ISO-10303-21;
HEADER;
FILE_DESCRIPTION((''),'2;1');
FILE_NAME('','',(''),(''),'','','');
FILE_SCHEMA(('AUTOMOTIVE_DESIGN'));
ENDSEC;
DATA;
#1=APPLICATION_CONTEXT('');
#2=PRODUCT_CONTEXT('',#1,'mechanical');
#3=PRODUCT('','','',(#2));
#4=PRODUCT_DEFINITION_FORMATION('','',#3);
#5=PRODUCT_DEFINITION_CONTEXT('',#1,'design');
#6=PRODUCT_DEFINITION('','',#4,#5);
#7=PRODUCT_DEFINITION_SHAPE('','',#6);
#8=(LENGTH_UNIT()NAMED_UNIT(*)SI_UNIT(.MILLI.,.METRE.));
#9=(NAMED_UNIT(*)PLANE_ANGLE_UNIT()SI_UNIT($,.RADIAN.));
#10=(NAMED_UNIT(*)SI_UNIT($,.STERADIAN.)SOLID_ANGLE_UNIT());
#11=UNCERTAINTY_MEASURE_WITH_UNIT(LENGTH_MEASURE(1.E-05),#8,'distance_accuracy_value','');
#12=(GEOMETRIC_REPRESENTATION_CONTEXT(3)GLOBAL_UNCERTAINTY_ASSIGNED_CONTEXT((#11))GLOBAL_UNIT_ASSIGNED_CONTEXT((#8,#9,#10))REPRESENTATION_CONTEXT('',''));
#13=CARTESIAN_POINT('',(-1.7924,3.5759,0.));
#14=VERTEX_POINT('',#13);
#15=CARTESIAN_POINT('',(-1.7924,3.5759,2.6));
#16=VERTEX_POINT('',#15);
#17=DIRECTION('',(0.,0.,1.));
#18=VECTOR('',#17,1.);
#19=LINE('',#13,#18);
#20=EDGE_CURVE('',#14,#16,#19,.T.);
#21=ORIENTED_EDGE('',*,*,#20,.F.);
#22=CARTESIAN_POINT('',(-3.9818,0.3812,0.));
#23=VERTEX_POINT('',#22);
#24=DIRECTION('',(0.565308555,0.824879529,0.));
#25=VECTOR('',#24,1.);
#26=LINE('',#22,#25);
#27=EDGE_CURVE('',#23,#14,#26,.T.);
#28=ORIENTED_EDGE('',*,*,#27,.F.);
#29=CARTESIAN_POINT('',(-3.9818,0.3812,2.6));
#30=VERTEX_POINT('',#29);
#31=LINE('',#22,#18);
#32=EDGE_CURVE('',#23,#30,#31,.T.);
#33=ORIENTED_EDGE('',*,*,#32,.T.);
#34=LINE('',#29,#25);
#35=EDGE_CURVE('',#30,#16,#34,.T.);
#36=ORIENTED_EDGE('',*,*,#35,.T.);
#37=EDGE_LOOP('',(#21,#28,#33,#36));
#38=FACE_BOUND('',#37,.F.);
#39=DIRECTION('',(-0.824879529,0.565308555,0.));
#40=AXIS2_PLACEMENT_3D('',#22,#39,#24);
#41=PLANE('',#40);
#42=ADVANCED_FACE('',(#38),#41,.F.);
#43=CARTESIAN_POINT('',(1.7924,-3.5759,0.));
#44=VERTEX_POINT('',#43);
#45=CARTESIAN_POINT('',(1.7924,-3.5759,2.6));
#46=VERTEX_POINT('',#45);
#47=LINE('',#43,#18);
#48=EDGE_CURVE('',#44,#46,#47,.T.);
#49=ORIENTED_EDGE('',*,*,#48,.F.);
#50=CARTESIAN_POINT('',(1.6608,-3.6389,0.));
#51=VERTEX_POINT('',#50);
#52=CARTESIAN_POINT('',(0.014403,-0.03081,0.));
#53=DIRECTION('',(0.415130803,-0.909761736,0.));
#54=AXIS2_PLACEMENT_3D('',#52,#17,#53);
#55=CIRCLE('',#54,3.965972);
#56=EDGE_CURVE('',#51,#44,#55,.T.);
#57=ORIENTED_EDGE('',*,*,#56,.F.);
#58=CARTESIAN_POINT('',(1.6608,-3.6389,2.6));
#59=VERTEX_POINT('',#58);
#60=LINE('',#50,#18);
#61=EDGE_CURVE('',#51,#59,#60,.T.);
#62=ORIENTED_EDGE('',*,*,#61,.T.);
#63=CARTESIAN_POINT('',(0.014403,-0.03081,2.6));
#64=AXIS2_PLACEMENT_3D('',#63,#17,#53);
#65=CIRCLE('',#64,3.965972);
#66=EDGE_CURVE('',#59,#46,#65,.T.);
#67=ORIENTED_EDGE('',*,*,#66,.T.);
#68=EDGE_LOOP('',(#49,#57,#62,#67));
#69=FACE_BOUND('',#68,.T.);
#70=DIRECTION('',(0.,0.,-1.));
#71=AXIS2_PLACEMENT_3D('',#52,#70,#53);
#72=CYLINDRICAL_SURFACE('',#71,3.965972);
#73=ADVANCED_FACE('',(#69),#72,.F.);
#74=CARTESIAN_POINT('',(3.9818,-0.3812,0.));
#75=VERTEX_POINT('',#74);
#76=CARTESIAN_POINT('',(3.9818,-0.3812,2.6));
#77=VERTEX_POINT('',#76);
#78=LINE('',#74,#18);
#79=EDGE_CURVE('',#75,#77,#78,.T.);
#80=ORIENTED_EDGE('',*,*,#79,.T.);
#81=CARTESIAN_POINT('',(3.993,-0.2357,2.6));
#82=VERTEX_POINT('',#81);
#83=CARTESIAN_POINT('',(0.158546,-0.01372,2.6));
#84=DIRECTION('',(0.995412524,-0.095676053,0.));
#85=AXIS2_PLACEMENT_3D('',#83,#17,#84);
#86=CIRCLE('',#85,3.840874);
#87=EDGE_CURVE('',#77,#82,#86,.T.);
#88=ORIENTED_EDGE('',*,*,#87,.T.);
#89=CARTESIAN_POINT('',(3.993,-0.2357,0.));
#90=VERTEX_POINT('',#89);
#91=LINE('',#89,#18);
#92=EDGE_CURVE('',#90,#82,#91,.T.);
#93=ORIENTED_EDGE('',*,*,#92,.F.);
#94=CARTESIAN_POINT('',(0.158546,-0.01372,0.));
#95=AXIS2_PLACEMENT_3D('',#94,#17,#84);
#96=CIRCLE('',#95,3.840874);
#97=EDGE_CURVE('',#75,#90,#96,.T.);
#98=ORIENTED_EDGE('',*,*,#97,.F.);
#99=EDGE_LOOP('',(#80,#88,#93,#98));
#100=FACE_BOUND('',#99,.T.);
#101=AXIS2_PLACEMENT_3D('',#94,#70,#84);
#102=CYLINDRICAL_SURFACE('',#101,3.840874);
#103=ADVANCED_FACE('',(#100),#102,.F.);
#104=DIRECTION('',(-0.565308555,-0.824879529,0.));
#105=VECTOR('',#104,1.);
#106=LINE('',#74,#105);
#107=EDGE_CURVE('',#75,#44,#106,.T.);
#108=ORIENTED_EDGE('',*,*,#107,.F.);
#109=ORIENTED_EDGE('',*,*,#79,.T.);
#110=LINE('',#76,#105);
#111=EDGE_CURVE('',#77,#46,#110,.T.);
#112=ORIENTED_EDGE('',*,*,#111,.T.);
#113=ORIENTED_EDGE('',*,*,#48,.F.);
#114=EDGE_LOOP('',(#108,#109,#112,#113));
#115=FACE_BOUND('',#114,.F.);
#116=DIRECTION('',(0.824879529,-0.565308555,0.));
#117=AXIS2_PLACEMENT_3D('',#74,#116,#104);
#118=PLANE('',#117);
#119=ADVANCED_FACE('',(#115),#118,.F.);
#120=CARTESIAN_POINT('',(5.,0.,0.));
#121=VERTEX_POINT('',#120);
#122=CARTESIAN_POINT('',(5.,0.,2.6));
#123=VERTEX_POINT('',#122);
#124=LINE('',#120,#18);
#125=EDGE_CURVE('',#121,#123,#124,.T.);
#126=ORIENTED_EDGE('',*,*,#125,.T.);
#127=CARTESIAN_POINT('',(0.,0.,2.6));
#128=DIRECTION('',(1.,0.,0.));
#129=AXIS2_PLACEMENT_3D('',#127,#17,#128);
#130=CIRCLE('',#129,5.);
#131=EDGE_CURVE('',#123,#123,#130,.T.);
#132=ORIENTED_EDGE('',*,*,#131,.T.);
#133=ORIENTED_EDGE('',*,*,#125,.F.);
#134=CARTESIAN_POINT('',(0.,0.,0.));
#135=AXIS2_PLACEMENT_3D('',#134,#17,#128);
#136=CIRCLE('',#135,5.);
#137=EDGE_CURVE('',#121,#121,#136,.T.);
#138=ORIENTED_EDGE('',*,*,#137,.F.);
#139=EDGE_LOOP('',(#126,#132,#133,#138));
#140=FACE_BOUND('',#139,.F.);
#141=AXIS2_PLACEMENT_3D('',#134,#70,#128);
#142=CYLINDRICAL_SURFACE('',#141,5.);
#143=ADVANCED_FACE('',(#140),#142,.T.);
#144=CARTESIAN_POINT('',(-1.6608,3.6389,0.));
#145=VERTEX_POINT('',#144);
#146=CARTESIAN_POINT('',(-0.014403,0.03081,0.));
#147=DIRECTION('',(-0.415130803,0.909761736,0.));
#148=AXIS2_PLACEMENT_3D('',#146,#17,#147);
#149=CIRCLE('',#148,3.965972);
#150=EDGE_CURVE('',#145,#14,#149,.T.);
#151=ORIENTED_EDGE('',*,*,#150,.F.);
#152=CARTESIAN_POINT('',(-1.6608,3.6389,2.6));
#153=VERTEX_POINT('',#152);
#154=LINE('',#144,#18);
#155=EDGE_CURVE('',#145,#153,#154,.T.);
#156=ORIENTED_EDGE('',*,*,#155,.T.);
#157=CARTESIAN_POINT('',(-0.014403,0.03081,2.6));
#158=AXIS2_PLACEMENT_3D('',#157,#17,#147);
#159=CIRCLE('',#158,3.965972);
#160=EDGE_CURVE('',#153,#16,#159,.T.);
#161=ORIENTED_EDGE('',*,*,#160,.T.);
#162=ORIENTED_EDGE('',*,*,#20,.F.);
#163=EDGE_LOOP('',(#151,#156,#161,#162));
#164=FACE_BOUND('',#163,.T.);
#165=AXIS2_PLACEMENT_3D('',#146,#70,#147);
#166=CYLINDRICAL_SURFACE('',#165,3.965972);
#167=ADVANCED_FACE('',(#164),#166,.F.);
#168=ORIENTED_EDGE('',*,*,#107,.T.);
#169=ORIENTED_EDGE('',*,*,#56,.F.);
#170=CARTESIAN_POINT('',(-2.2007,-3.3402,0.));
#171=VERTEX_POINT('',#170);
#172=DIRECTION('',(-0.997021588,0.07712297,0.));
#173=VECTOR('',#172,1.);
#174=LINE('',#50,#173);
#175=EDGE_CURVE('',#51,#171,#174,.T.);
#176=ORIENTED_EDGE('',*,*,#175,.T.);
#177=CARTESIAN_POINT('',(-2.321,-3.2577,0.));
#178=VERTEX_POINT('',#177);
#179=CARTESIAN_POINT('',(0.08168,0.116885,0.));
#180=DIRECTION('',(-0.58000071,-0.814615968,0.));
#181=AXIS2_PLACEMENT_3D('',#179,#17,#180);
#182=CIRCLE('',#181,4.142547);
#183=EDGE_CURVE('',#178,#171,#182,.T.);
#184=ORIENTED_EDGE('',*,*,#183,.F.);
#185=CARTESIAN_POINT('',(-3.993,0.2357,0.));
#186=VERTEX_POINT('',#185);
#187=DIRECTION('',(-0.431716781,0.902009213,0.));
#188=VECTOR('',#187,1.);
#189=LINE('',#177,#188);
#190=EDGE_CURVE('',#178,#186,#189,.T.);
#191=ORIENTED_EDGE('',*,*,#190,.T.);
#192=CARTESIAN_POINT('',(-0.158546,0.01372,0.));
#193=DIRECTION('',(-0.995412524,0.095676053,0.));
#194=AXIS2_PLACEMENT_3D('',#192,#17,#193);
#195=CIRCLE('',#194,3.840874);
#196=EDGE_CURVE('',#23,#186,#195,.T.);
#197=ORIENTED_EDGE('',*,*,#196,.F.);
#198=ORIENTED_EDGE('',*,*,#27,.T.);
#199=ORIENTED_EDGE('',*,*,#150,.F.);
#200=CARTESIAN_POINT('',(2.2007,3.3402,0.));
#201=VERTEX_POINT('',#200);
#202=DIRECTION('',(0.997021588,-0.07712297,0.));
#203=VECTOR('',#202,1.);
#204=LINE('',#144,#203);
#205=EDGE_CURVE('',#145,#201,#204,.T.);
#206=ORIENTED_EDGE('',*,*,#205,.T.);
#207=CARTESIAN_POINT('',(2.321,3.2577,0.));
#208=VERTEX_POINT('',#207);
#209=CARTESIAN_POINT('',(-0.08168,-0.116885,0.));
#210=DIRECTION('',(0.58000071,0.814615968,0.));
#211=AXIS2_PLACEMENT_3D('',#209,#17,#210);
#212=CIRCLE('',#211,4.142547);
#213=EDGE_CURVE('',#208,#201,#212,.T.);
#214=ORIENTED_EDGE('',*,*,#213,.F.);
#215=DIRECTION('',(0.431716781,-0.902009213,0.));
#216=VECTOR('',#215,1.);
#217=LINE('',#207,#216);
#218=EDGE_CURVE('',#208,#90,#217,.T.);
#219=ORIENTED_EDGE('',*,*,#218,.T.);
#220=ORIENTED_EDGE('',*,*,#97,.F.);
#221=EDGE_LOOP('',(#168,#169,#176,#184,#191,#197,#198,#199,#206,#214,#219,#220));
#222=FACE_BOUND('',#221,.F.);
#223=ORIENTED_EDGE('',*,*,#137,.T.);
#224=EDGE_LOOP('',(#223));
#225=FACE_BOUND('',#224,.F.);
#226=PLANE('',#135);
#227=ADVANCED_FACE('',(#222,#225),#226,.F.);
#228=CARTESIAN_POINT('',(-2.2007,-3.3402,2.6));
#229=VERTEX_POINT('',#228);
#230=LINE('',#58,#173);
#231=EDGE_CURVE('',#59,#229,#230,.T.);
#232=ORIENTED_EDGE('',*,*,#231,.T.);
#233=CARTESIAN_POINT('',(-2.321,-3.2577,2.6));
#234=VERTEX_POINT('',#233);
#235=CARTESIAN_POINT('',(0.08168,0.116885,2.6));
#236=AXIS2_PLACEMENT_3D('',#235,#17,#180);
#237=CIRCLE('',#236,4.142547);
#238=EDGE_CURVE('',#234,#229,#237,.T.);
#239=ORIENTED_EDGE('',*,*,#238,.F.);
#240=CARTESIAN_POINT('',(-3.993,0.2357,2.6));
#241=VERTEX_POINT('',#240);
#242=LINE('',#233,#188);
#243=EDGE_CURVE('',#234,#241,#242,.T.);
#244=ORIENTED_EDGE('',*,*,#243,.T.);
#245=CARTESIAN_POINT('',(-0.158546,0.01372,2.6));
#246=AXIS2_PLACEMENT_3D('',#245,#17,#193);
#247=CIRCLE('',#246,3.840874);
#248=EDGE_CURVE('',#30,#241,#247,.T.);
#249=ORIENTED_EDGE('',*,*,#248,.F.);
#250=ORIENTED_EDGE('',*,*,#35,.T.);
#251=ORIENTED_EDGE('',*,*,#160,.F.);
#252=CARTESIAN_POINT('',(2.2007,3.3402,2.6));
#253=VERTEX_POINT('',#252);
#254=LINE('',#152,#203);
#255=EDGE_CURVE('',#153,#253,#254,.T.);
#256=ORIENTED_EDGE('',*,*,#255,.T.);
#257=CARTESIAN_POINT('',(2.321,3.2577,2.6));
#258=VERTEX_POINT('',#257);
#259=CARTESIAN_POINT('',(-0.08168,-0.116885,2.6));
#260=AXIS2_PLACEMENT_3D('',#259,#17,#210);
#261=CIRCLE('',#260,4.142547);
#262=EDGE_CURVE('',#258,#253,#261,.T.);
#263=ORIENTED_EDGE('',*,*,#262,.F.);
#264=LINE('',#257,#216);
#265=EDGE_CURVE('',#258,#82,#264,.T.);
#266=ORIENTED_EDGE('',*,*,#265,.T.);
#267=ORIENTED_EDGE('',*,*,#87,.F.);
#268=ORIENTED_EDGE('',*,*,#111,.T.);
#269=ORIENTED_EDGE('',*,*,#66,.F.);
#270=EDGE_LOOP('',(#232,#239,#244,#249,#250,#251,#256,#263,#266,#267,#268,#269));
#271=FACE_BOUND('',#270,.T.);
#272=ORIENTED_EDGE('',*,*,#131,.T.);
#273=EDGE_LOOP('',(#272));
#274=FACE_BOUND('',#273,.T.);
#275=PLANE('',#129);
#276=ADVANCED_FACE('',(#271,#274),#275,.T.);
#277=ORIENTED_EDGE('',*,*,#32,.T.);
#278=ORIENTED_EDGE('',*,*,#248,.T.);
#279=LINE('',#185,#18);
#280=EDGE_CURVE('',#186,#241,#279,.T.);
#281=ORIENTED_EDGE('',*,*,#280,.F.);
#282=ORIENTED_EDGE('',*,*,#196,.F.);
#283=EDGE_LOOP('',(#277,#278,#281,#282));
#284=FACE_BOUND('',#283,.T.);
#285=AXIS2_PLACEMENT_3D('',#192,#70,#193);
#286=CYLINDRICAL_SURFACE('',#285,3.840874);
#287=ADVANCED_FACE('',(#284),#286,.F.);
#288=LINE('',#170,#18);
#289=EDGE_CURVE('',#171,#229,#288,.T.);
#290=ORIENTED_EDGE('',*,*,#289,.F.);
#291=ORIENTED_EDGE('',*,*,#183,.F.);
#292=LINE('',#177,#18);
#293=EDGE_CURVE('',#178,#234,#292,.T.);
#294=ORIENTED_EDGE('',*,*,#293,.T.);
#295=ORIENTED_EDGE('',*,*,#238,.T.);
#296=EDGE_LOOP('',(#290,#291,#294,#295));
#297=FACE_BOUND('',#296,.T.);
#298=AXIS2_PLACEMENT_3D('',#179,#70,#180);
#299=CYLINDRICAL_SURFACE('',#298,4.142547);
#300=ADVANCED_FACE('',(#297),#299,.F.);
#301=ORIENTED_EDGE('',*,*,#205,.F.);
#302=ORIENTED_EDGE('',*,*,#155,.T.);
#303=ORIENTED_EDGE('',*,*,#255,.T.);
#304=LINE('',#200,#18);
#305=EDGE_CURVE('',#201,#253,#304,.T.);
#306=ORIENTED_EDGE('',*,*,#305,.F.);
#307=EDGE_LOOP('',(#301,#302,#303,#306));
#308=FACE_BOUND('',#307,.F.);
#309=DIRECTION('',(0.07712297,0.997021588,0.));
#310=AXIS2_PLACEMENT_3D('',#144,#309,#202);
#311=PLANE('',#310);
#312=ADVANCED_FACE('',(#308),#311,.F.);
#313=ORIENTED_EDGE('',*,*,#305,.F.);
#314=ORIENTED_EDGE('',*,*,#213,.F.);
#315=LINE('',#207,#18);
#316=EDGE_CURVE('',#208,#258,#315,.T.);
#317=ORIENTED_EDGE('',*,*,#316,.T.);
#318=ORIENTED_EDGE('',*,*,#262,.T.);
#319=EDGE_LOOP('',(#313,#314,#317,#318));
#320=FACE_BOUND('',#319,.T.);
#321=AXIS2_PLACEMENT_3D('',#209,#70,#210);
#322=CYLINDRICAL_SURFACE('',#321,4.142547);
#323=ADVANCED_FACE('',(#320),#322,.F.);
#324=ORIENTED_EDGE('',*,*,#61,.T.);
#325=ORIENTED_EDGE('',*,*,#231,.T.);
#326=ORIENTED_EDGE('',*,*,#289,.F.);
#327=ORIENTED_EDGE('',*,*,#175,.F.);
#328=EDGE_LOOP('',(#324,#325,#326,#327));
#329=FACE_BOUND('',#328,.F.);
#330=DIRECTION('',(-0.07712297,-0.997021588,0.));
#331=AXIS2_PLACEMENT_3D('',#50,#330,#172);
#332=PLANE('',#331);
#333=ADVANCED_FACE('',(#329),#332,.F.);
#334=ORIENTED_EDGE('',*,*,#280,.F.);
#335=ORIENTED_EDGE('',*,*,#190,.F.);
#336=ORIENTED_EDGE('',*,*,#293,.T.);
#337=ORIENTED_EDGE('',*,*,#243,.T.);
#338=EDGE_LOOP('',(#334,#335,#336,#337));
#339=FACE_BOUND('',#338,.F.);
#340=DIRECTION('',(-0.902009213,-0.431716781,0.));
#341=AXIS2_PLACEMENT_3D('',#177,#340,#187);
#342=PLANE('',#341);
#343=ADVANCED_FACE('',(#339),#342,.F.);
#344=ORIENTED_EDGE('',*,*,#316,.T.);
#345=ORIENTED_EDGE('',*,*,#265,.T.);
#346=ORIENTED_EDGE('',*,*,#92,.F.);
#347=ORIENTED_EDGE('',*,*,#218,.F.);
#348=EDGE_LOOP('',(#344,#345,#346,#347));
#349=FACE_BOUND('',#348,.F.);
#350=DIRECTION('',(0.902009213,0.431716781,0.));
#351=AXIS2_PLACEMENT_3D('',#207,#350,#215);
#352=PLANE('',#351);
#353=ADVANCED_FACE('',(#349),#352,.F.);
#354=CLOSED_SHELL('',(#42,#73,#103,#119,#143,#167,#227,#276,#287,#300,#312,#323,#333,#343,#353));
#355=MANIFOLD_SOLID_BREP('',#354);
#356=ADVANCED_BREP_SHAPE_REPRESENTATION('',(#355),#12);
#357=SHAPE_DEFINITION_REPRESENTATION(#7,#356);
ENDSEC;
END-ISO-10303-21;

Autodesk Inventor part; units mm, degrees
ref_plane "YZ Plane" through (0, 0, 0) normal (1, 0, 0) x (0, 1, 0)
ref_plane "XZ Plane" through (0, 0, 0) normal (0, 1, 0) x (-1, 0, 0)
sketch "Sketch1" plane through (0, 0, 0) normal (0, 0, 1) x (1, 0, 0)
  line L0 (3.9818, -0.3812) -> (1.7924, -3.5759)
  arc A0 (1.6608, -3.6389) -> (1.7924, -3.5759) centre (0, 0) ccw
  line L1 (1.6608, -3.6389) -> (-2.2007, -3.3402)
  arc A1 (-2.321, -3.2577) -> (-2.2007, -3.3402) centre (0, 0) ccw
  line L2 (-2.321, -3.2577) -> (-3.993, 0.2357)
  arc A2 (-3.9818, 0.3812) -> (-3.993, 0.2357) centre (0, 0) ccw
  line L3 (-3.9818, 0.3812) -> (-1.7924, 3.5759)
  arc A3 (-1.6608, 3.6389) -> (-1.7924, 3.5759) centre (0, 0) ccw
  line L4 (-1.6608, 3.6389) -> (2.2007, 3.3402)
  arc A4 (2.321, 3.2577) -> (2.2007, 3.3402) centre (0, 0) ccw
  line L5 (2.321, 3.2577) -> (3.993, -0.2357)
  arc A5 (3.9818, -0.3812) -> (3.993, -0.2357) centre (0, 0) ccw
  circle A6 centre (0, 0) radius 5
  point P0 (0, 0)
  dimension "d0" = 10
ref_plane "Work Plane1" through (-9.2786, -9.2786, 2.6) normal (0, 0, -1) x (0, 1, 0)
extrude "Extrusion1" add sketch "Sketch1" along normal up to surface (2.6 mm away)
properties part number "Power_Transmission_Spacer_One"
